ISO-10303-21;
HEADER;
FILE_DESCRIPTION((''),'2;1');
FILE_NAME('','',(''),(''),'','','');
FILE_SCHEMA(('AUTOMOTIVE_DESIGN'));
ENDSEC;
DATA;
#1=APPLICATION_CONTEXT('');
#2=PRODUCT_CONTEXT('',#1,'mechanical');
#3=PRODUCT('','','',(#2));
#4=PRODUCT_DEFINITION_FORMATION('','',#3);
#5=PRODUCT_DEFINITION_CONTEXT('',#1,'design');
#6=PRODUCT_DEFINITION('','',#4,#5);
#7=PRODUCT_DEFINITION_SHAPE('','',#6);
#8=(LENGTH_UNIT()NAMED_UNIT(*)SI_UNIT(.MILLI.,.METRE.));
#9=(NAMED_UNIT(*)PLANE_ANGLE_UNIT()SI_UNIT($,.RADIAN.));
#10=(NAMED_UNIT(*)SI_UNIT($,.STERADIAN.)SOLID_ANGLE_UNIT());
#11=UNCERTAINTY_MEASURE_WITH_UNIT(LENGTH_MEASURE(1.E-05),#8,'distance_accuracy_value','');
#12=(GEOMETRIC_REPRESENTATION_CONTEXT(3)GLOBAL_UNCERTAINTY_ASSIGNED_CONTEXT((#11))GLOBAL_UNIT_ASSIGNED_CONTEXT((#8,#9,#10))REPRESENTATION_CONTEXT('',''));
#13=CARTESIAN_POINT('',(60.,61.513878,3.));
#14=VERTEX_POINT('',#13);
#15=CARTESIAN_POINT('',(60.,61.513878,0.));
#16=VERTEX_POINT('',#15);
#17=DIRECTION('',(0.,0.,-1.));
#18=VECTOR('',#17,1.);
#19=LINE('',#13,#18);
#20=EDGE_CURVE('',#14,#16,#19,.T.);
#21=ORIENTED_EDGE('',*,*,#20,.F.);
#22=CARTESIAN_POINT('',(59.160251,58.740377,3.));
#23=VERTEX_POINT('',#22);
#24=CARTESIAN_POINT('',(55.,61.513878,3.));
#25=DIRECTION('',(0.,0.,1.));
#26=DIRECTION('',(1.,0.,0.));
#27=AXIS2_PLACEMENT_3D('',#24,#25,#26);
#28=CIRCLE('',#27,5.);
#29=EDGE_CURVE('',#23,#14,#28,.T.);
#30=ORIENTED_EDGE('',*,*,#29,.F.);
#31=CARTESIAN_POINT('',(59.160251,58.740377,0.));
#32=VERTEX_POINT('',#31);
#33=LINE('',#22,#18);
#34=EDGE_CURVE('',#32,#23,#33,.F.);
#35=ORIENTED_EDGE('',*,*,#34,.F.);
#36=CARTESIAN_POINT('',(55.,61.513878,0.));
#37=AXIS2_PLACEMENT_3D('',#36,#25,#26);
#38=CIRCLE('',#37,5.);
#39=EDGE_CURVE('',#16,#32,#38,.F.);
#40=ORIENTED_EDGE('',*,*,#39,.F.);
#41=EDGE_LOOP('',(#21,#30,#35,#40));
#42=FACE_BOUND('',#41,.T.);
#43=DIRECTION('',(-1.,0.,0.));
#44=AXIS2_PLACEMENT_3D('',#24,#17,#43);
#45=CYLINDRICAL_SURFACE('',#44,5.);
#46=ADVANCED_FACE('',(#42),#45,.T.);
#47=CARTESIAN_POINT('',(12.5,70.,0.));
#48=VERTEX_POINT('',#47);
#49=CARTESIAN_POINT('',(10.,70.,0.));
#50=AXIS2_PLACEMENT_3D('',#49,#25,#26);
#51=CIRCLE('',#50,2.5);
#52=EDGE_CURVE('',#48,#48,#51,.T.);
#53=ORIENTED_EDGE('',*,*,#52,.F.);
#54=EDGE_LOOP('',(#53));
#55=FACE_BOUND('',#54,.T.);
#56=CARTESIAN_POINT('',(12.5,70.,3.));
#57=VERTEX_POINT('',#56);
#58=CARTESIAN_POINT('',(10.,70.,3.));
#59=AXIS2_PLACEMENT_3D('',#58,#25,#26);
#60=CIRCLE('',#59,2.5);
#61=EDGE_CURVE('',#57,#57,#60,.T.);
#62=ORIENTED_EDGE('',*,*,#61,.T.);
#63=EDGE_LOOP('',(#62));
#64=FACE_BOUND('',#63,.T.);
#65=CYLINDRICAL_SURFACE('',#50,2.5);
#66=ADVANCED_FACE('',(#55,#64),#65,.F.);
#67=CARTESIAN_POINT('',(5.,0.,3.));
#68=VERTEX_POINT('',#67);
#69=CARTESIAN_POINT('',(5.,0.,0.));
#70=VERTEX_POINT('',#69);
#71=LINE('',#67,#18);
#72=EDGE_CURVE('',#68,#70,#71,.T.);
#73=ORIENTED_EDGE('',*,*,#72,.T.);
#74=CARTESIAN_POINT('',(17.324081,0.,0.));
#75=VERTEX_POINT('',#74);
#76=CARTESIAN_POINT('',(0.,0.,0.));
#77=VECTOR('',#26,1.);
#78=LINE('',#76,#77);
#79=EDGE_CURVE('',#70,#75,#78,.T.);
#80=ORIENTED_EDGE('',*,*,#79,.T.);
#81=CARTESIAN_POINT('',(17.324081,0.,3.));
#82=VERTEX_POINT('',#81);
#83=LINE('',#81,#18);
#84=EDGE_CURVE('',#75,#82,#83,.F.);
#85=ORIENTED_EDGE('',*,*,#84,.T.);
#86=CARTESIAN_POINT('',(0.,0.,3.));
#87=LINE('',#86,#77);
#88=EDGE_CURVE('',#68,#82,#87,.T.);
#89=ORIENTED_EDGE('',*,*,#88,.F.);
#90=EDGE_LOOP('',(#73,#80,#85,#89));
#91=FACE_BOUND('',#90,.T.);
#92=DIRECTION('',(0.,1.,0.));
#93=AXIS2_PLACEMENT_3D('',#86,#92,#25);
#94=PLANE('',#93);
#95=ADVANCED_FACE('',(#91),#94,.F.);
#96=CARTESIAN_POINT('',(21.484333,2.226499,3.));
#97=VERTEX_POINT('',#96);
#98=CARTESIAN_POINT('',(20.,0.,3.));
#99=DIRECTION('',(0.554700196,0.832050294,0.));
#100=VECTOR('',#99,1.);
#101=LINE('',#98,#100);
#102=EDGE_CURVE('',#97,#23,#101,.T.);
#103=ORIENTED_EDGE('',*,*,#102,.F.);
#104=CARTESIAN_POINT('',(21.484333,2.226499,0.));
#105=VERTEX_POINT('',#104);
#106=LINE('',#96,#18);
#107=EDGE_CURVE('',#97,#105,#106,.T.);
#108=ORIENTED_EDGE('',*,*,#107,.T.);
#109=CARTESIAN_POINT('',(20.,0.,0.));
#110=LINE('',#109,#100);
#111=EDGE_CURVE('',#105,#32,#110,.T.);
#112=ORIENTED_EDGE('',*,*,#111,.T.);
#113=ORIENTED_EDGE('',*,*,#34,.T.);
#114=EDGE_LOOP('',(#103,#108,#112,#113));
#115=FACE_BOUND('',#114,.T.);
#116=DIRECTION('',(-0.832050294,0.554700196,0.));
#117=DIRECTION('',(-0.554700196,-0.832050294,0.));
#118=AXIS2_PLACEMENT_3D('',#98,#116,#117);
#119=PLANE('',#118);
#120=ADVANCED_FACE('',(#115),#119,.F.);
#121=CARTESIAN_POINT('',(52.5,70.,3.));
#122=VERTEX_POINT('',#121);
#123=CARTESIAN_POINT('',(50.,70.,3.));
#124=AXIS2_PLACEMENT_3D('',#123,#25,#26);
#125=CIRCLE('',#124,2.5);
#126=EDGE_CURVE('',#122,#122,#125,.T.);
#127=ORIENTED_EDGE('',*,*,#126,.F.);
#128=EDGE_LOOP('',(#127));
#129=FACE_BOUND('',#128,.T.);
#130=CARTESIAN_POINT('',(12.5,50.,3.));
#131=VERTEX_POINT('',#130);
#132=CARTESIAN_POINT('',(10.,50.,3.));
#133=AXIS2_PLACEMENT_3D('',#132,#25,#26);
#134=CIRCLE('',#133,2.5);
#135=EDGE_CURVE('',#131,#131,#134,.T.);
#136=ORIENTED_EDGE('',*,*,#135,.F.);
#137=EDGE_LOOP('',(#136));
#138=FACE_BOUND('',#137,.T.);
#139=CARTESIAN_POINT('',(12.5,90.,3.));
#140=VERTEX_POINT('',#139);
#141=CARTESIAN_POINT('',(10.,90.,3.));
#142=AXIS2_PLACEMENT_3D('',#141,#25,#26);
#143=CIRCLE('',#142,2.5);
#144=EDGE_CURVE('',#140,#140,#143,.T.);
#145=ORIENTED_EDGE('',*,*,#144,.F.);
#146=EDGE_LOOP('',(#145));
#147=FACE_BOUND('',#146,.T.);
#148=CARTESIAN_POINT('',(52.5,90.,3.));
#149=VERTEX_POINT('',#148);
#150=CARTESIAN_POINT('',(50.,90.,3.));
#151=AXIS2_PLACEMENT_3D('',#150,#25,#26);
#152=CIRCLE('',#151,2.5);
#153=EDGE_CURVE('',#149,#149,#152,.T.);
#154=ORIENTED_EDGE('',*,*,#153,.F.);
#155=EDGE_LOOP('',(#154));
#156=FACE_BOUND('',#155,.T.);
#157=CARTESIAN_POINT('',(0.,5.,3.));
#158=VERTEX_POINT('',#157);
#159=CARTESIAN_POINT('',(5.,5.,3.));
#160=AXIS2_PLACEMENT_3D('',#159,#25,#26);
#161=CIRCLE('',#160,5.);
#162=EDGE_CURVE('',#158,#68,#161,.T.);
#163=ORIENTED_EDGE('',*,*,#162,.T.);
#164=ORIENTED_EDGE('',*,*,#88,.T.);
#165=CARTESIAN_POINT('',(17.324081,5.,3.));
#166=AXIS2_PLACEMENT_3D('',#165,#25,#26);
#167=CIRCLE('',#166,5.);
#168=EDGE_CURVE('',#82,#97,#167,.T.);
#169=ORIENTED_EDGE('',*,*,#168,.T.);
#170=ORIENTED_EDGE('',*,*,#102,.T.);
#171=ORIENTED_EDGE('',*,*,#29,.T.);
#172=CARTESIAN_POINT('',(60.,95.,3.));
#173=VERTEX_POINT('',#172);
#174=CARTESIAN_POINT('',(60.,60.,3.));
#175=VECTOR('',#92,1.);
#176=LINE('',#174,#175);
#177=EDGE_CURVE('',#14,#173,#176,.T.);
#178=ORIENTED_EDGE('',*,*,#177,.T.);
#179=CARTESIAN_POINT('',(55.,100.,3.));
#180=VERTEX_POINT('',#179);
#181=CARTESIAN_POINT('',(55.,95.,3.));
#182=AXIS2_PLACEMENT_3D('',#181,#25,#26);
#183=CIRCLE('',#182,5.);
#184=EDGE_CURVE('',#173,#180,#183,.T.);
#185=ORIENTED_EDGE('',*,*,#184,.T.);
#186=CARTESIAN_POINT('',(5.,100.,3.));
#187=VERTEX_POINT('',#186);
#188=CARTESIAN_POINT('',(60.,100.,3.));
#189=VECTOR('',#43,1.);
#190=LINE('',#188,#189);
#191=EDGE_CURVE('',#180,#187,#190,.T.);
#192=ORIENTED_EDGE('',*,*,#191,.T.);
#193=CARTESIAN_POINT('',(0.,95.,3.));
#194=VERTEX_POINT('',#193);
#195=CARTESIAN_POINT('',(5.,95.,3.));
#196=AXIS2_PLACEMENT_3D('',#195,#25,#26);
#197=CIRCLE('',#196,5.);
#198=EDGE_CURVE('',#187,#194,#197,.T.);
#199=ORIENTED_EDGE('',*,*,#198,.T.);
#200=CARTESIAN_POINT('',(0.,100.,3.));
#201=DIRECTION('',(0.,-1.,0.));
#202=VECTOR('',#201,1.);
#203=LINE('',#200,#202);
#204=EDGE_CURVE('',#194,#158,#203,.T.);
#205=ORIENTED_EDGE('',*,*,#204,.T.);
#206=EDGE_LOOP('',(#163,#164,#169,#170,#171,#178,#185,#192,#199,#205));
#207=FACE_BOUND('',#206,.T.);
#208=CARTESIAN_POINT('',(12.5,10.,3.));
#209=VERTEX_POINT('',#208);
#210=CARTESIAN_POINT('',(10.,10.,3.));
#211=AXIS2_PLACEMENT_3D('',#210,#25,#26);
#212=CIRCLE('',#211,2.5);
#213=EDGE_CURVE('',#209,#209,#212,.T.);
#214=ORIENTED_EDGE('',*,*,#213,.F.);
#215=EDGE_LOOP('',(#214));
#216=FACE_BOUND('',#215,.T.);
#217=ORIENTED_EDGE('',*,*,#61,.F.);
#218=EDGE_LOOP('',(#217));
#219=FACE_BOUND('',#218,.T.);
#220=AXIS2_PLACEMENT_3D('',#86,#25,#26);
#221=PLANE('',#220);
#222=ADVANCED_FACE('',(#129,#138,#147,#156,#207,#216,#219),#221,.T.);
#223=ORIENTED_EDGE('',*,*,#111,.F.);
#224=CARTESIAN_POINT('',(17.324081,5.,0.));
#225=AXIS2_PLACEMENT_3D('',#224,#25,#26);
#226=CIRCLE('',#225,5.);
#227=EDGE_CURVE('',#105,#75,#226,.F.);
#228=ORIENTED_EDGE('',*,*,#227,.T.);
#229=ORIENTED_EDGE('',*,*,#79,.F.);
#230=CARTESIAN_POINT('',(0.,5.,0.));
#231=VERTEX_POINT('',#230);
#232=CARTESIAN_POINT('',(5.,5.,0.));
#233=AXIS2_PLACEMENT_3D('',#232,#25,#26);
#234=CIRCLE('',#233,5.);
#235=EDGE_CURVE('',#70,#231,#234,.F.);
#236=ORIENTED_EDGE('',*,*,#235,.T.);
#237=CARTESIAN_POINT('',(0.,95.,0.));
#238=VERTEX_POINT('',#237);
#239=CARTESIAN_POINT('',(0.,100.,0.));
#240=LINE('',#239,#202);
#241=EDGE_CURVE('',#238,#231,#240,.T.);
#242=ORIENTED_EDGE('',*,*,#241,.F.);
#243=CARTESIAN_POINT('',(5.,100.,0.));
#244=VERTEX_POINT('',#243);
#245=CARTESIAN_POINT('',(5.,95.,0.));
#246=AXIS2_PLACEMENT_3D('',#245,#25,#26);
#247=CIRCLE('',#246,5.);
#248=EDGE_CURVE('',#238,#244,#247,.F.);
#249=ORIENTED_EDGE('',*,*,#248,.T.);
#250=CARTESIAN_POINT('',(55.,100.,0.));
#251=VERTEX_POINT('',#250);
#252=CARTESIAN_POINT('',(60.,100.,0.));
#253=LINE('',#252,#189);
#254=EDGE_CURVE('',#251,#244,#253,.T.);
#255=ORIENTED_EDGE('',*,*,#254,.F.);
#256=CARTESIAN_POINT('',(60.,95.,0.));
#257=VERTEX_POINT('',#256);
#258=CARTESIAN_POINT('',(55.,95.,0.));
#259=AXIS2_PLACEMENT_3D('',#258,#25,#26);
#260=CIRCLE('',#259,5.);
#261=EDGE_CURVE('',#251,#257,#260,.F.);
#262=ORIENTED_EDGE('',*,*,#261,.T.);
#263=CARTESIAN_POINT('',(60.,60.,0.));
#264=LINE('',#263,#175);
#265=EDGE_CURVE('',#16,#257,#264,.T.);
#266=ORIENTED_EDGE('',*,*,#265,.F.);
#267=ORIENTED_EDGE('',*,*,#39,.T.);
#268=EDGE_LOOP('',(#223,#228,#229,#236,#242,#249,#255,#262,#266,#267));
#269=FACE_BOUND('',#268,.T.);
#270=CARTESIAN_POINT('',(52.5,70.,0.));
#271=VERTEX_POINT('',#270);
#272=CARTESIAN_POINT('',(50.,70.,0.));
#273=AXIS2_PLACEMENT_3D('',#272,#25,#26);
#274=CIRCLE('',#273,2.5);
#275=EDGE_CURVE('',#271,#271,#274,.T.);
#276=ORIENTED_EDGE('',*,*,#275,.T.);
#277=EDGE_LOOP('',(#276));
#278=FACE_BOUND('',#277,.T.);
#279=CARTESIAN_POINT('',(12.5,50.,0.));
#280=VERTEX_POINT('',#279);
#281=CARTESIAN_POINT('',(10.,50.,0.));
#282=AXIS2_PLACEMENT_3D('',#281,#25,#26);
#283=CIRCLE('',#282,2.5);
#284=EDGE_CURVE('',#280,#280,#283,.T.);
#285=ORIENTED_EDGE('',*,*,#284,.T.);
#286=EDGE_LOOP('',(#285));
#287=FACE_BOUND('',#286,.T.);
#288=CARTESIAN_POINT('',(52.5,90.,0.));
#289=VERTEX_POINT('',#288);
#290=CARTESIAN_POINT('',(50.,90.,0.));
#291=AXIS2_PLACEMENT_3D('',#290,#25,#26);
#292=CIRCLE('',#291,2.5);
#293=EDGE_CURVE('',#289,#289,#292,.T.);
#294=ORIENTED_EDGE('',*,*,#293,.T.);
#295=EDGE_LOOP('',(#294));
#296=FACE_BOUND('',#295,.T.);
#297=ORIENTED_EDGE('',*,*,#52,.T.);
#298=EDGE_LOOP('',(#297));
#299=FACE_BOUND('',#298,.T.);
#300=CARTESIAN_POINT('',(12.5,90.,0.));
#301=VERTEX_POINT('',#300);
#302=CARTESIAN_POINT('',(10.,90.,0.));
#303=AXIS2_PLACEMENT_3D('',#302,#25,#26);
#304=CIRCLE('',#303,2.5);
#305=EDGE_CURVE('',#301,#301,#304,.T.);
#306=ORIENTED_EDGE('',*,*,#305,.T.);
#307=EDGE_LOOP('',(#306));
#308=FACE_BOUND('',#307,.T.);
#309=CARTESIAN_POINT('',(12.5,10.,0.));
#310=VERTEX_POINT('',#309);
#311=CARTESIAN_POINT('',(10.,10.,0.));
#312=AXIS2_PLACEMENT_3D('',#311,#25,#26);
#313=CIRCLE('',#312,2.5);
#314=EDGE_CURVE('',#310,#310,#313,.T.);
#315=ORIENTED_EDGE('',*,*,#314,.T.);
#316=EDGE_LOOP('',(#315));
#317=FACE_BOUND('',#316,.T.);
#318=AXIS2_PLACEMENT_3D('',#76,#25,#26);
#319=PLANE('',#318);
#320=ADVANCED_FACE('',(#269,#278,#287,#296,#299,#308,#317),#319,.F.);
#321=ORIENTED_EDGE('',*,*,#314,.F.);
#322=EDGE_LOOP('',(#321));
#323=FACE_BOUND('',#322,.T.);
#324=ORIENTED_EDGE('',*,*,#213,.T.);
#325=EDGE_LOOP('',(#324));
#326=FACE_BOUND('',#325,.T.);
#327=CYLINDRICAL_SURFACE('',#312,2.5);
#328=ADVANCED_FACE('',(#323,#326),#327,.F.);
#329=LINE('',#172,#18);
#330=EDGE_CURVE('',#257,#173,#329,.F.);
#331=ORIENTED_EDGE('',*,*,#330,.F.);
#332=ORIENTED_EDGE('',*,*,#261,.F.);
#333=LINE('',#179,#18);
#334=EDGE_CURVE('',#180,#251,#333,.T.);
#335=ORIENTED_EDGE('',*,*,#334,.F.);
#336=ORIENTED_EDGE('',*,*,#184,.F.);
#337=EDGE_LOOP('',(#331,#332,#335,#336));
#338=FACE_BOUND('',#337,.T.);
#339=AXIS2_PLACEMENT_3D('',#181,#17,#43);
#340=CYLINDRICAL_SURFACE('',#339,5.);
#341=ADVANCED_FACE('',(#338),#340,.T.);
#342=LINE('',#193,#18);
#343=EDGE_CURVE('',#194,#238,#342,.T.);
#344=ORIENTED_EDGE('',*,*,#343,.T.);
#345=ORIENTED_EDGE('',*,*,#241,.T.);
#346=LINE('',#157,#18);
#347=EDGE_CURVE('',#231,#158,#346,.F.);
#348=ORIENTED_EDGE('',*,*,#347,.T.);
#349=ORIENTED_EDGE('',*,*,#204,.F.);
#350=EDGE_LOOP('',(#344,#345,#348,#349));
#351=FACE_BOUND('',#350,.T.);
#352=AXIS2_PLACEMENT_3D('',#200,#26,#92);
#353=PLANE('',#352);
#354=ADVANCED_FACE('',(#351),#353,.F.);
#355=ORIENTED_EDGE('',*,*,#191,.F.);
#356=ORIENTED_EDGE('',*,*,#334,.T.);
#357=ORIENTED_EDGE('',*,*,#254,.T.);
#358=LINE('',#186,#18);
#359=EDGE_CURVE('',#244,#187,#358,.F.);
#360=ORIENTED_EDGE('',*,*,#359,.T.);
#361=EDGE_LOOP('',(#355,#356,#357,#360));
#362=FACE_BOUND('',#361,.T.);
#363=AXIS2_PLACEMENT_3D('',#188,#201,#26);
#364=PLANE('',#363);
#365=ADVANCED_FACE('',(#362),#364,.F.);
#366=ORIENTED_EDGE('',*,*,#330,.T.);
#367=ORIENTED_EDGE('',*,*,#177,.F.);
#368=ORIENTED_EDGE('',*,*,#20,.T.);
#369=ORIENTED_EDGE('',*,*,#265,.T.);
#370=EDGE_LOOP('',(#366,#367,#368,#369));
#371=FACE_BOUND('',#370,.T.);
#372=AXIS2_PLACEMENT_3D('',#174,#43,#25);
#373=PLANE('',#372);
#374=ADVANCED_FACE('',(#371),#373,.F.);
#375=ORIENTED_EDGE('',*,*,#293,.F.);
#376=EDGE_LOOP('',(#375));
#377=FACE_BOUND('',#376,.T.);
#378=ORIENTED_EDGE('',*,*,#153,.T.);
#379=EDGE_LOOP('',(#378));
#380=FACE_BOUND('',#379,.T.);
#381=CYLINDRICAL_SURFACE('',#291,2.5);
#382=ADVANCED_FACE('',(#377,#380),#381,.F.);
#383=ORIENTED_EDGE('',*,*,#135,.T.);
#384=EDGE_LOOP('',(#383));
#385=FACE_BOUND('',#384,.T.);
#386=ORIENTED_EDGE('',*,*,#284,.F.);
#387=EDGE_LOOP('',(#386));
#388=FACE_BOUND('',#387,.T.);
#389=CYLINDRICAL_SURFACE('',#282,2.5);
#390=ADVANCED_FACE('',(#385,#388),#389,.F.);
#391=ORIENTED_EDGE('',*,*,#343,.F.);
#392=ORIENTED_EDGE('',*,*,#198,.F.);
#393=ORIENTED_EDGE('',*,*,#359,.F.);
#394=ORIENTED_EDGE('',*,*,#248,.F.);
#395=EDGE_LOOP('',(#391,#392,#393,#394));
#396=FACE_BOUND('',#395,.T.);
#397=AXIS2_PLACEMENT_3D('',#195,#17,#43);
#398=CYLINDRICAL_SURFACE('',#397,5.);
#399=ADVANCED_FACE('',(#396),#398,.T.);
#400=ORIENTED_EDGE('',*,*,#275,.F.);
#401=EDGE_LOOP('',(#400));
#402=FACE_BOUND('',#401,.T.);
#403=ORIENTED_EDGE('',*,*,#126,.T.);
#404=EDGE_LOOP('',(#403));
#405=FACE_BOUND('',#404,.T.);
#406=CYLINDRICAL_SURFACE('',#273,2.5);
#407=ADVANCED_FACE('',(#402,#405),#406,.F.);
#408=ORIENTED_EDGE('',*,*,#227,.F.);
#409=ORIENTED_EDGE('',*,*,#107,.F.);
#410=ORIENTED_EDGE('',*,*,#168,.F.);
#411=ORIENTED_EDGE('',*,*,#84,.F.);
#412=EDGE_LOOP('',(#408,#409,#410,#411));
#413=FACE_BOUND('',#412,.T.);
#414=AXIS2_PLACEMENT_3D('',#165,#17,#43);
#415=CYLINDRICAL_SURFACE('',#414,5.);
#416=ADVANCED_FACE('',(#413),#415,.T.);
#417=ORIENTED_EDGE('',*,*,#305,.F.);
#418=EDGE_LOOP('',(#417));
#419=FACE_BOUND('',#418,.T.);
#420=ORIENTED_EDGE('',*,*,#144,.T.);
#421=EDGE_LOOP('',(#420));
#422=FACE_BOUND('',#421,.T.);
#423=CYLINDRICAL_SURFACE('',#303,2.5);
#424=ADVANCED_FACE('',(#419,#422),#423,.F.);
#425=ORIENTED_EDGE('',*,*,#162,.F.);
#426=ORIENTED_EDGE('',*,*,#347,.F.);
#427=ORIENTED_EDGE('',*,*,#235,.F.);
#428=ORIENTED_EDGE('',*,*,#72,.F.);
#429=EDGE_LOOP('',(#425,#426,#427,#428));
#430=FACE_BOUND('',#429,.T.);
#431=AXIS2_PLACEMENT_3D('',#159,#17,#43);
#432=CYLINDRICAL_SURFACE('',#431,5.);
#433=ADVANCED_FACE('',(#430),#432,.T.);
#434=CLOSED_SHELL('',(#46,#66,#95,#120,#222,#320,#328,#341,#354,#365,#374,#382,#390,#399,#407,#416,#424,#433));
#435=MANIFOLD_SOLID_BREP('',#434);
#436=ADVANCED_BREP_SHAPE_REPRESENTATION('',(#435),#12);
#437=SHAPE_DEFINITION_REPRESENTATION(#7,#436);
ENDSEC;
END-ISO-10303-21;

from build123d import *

# Parameters (mm, degrees)
BOSS_EXTRUDE1_DEPTH  = 3
SKETCH3_R            = 2.5
CUT_EXTRUDE1_DEPTH   = 4
LPATTERN1_COUNT      = 2
LPATTERN1_PITCH      = 40
LPATTERN1_COUNT_DIR2 = 2
LPATTERN1_PITCH_DIR2 = 20
SKETCH4_R            = 2.5
CUT_EXTRUDE2_DEPTH   = 4
LPATTERN2_COUNT      = 2
LPATTERN2_PITCH      = 40
FILLET1_R            = 5


with BuildPart() as part:
    # Sketch1 → Boss-Extrude1 (new body)
    with BuildSketch(Plane.XY):
        Polygon((0, 0), (20, 0), (60, 60), (60, 100), (0, 100), align=None)
    extrude(amount=BOSS_EXTRUDE1_DEPTH)

    # Sketch3 → Cut-Extrude1 (cut, through all)
    with BuildSketch(Plane.XY.offset(3)):
        with Locations((50, 90)):
            Circle(SKETCH3_R)
    cut_extrude1 = extrude(amount=-CUT_EXTRUDE1_DEPTH, mode=Mode.SUBTRACT)

    # LPattern1: Cut-Extrude1 2 × 2
    with Locations(*[(-i * LPATTERN1_PITCH, -j * LPATTERN1_PITCH_DIR2, 0) for i in range(LPATTERN1_COUNT) for j in range(LPATTERN1_COUNT_DIR2) if (i, j) != (0, 0)]):
        add(cut_extrude1, mode=Mode.SUBTRACT)

    # Sketch4 → Cut-Extrude2 (cut, through all)
    with BuildSketch(Plane.XY.offset(3)):
        with Locations((10, 10)):
            Circle(SKETCH4_R)
    cut_extrude2 = extrude(amount=-CUT_EXTRUDE2_DEPTH, mode=Mode.SUBTRACT)

    # LPattern2: Cut-Extrude2 ×2
    with Locations(*[(0, i * LPATTERN2_PITCH, 0) for i in range(1, LPATTERN2_COUNT)]):
        add(cut_extrude2, mode=Mode.SUBTRACT)

    # Fillet1
    fillet1_edges = [part.edges().sort_by_distance(p)[0] for p in [
        (0, 100, 1.5),
        (60, 100, 1.5),
        (60, 60, 1.5),
        (20, 0, 1.5),
        (0, 0, 1.5),
    ]]
    fillet(fillet1_edges, radius=FILLET1_R)


solid = part.part
